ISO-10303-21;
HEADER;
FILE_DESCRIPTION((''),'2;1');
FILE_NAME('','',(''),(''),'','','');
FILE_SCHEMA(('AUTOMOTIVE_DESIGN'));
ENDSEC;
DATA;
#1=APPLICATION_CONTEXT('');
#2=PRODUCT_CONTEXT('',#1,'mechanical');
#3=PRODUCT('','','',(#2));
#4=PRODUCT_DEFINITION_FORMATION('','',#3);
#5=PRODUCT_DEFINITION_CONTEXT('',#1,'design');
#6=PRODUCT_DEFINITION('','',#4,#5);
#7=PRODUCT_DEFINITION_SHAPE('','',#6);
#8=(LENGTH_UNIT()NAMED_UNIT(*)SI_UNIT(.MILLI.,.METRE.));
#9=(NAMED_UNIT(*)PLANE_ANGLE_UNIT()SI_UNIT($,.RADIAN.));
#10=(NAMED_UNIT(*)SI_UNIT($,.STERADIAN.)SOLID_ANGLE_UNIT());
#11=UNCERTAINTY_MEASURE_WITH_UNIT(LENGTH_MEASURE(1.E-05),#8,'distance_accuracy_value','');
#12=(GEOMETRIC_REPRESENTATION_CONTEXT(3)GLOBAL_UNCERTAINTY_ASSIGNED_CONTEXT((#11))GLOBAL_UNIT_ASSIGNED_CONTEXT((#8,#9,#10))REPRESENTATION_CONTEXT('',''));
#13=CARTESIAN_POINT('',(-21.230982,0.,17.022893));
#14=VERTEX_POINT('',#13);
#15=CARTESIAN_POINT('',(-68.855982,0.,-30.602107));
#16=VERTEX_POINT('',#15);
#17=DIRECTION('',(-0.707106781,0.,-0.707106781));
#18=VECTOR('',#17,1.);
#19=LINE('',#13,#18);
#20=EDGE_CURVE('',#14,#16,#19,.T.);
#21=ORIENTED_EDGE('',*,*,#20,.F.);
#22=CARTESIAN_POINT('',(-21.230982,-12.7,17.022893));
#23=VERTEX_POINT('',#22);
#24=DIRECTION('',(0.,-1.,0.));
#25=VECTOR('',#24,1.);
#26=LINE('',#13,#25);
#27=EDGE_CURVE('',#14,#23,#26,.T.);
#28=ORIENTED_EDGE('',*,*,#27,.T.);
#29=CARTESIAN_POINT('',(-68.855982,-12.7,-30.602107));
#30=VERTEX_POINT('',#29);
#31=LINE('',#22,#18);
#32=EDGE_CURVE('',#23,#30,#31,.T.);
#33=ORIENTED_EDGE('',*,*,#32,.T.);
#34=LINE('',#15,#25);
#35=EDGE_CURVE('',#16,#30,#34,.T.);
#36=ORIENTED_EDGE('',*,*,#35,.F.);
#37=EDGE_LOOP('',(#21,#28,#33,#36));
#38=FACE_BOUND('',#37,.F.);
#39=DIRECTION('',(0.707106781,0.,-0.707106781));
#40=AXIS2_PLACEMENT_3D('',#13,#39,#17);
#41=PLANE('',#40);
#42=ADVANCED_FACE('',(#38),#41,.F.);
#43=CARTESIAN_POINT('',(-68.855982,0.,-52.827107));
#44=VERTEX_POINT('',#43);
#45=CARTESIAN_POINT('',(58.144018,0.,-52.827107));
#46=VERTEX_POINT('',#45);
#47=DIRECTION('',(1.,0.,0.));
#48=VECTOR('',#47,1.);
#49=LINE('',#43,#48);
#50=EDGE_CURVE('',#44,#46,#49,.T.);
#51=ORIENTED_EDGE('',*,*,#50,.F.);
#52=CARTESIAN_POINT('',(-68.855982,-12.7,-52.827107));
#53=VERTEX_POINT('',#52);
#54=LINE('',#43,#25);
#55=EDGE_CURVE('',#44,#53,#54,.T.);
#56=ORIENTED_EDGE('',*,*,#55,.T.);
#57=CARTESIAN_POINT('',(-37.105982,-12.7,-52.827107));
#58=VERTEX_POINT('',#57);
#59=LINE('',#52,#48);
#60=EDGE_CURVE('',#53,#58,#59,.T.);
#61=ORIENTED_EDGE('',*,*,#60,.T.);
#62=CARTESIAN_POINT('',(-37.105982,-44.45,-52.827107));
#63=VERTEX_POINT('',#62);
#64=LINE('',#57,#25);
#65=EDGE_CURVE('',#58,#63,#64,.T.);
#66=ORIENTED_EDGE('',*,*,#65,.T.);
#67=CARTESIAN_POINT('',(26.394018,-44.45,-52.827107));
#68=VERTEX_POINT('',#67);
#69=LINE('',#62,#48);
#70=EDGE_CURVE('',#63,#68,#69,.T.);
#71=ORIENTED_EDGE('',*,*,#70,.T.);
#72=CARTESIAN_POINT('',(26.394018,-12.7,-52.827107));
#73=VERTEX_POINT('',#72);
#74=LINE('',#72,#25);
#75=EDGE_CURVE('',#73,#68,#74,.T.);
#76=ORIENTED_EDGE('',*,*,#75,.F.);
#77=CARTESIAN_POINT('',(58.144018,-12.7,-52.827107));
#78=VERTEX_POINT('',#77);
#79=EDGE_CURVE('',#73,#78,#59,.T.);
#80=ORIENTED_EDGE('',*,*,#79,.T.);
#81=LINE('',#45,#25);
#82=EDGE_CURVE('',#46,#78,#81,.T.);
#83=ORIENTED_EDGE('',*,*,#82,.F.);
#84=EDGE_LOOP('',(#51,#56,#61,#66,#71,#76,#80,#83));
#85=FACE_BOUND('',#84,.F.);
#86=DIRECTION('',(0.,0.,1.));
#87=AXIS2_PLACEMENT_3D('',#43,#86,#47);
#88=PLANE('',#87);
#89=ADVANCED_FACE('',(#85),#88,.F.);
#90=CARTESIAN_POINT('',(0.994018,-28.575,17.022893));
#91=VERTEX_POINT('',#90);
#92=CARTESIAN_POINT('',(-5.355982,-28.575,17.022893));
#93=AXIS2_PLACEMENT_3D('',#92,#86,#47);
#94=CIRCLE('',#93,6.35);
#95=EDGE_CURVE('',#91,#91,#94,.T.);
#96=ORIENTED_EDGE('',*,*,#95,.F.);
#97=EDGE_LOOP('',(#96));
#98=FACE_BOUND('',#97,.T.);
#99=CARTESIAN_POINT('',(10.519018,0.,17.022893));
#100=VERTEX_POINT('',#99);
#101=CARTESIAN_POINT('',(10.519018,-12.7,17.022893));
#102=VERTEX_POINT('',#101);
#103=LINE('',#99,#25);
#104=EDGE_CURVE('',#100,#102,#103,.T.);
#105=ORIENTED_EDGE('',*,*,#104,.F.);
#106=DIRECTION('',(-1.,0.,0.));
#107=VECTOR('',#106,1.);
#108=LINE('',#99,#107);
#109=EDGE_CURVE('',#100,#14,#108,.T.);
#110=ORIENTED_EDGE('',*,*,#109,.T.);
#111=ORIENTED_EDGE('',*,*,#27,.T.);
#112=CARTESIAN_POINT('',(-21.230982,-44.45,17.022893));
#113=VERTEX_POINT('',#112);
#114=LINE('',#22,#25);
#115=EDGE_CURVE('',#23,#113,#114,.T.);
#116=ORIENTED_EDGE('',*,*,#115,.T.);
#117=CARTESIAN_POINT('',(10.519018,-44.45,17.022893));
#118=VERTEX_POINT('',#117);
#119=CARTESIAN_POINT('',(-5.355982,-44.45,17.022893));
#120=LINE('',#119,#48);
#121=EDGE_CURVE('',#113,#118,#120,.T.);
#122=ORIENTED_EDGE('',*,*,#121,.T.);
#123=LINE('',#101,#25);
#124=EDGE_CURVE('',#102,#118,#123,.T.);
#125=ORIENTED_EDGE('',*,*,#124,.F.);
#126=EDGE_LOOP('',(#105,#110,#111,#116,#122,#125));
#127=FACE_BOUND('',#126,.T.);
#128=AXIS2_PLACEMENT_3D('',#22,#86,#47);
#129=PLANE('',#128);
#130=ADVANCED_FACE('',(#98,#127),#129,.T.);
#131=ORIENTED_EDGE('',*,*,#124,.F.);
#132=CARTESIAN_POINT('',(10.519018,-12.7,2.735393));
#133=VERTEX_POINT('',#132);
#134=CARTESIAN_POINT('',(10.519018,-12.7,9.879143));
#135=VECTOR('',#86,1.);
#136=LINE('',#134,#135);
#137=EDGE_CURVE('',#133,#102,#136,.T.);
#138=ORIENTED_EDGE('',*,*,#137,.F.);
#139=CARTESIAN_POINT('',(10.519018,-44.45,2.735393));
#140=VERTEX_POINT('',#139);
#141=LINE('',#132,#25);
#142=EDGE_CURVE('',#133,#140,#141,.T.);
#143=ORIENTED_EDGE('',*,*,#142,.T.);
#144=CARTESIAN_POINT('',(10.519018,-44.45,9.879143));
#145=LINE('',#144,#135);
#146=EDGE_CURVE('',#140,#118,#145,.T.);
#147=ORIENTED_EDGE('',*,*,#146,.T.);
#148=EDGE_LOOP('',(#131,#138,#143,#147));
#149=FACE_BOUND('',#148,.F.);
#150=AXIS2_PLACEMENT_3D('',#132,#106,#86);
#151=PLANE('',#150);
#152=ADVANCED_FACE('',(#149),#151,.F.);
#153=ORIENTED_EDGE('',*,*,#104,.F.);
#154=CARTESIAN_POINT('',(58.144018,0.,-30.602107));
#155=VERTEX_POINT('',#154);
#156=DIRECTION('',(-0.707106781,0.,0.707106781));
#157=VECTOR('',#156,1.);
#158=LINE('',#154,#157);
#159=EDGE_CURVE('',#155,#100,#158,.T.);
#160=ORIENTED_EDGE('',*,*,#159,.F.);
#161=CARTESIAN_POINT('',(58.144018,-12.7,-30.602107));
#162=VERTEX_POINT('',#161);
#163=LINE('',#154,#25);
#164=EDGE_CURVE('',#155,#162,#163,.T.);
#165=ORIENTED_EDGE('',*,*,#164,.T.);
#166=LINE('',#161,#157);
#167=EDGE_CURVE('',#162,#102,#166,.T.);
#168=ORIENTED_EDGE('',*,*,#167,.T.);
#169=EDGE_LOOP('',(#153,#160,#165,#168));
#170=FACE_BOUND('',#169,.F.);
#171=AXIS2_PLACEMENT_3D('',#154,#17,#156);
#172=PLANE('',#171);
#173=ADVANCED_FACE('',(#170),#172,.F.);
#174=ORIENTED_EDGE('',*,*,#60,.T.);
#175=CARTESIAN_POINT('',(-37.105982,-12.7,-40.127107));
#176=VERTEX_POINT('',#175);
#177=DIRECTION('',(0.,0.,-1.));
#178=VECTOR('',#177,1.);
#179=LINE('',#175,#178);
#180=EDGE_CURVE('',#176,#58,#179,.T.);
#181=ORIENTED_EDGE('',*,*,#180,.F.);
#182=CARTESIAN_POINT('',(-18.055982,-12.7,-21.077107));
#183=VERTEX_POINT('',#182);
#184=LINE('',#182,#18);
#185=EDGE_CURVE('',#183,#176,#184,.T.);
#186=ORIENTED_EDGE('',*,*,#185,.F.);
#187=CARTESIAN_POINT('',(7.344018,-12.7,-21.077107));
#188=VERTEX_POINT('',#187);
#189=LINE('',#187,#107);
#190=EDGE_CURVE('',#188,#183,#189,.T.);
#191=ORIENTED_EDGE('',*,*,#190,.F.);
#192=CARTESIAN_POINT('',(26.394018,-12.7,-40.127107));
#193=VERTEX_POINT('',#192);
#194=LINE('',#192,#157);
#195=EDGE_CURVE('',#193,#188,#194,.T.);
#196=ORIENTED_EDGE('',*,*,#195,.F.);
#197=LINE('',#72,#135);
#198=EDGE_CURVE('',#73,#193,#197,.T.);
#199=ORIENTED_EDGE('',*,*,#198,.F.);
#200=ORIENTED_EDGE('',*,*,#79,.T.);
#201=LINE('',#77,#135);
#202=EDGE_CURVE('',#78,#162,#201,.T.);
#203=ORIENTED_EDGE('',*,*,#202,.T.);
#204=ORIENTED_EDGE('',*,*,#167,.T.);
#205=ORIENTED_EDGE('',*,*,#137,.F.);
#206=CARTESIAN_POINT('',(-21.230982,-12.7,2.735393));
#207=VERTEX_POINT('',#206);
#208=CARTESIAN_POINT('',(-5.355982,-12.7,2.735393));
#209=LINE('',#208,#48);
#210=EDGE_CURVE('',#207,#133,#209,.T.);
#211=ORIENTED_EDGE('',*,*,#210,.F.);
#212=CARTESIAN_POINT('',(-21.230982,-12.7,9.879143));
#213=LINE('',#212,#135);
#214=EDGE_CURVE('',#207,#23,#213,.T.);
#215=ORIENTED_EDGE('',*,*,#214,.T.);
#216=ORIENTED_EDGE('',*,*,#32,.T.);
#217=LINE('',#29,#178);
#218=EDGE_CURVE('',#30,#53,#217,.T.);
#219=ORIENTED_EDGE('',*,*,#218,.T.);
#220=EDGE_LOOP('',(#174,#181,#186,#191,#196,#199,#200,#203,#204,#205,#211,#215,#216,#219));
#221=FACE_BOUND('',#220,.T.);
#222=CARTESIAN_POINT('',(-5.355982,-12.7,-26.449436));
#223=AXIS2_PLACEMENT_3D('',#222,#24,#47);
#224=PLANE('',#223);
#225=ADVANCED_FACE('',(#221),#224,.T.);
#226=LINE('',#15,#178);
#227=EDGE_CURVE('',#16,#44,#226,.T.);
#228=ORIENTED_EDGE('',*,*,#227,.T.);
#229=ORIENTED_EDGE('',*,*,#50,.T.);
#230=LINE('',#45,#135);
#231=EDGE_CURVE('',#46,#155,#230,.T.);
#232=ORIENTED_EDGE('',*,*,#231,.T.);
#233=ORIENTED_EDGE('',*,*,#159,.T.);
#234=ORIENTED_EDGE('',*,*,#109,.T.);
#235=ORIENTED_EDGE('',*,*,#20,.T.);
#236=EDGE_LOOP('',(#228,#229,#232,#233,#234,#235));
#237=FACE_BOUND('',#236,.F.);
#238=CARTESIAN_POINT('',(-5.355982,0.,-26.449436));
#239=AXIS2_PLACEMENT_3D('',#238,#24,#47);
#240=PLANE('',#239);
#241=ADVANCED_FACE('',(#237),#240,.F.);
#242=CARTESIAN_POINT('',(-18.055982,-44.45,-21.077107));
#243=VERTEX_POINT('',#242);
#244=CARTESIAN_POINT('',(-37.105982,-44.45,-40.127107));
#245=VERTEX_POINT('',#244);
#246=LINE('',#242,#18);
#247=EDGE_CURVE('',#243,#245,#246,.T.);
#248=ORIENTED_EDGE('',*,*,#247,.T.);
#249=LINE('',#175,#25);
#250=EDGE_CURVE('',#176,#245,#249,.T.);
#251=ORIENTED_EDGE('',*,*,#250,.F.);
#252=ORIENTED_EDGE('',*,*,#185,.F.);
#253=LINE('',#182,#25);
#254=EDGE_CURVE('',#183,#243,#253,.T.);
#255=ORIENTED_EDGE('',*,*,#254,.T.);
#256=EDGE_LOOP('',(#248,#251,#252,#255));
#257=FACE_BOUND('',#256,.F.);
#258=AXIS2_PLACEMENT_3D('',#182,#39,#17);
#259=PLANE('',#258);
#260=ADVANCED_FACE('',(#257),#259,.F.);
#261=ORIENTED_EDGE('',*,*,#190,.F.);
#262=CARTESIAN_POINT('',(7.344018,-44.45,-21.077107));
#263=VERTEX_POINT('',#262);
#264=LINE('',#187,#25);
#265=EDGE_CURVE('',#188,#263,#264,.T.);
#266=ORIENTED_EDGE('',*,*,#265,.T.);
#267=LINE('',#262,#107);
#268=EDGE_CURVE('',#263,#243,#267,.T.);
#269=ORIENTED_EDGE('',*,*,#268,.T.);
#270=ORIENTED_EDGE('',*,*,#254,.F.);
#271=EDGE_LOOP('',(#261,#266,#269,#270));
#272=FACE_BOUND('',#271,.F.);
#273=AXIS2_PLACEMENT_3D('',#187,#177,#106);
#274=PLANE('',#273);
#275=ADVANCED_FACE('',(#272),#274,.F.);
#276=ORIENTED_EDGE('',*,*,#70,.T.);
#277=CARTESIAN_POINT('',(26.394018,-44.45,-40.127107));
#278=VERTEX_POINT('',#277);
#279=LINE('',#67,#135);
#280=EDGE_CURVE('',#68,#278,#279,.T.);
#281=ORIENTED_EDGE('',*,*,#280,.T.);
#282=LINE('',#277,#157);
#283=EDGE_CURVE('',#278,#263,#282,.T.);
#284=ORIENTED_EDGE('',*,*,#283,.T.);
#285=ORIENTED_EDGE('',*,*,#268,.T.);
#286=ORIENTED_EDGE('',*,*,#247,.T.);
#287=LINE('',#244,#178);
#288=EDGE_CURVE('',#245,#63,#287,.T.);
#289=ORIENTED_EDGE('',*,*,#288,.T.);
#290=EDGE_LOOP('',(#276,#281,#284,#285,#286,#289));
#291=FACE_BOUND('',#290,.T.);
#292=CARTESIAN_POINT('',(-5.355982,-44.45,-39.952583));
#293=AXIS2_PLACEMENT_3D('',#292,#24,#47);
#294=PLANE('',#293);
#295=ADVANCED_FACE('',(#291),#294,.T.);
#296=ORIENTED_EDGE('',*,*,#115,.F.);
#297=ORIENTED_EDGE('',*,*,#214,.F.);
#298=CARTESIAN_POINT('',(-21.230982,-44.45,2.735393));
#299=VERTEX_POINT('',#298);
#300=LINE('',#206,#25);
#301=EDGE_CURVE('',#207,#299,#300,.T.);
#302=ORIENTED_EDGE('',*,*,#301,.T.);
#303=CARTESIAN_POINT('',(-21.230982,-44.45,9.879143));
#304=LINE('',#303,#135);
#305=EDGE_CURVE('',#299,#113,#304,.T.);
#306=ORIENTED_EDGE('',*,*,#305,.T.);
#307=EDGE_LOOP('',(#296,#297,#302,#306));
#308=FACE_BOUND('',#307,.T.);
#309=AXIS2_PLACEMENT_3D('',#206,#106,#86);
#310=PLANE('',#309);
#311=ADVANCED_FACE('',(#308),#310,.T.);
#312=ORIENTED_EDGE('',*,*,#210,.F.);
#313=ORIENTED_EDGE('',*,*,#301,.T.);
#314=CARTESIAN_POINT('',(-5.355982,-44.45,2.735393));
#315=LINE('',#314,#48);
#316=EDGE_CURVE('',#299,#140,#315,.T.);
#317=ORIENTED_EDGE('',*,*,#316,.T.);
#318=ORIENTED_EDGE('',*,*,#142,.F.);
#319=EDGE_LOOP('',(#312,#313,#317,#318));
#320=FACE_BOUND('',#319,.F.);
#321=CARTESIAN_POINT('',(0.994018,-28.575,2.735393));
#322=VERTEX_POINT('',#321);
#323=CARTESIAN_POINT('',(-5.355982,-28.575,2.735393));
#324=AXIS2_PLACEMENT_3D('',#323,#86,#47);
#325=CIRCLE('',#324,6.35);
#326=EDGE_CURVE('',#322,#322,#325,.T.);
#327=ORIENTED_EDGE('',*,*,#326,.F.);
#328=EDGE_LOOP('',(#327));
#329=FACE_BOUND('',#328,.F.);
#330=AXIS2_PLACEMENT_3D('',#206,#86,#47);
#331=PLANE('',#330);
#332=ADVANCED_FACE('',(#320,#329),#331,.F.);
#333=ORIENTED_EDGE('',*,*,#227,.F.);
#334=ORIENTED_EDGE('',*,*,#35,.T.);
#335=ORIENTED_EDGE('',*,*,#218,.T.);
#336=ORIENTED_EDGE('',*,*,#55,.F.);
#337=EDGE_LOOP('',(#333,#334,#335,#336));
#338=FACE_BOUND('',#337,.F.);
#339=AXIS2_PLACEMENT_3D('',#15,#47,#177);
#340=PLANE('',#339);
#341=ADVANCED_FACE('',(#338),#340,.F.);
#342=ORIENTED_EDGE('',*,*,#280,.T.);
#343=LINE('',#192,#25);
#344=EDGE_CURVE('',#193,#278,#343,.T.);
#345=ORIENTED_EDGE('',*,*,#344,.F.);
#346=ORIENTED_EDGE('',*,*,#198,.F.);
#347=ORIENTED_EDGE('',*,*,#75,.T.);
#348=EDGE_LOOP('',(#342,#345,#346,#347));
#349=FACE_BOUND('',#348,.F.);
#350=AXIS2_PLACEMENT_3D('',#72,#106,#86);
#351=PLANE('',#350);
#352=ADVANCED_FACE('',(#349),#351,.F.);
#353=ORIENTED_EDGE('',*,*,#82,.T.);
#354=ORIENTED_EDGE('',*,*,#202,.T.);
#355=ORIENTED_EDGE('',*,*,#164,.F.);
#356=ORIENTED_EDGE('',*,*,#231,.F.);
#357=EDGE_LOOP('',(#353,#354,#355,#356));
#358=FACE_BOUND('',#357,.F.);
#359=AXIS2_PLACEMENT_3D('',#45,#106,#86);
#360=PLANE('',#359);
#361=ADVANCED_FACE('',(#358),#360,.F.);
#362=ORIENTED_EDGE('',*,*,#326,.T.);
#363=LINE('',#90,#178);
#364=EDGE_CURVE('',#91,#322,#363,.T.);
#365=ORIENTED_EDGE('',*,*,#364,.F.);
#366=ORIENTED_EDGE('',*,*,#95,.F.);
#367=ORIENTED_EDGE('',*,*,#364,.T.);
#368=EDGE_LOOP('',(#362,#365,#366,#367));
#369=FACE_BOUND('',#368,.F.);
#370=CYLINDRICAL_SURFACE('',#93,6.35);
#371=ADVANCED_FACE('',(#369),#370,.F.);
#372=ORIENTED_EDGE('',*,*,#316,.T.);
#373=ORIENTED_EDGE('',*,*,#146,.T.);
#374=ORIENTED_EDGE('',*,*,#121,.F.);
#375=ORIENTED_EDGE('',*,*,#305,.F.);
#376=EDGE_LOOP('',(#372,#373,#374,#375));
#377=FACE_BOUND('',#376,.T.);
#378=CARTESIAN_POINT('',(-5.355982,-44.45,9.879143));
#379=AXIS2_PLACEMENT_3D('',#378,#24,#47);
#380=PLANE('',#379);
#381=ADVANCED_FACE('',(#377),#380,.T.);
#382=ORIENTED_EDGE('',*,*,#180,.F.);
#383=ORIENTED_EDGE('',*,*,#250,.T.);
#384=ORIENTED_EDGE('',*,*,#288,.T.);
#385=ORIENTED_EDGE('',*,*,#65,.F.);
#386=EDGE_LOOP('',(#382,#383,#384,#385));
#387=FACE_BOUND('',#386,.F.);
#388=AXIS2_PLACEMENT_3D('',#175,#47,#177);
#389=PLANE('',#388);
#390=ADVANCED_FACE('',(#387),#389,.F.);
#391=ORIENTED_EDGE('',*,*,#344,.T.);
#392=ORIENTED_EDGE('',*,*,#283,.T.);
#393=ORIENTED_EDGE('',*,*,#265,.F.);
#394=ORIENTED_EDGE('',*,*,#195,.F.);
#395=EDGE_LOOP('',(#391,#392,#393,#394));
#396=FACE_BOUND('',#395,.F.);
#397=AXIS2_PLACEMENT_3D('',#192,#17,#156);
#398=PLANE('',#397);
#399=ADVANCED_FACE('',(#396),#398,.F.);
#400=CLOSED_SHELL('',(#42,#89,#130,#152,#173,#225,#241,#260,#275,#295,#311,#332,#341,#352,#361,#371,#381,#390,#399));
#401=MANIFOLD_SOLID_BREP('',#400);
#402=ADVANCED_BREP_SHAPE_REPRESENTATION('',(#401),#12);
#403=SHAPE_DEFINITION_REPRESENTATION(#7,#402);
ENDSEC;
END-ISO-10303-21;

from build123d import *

# Parameters (mm, degrees)
F1_DEPTH = 12.7
F3_DEPTH = 31.75
F2_W     = 31.75
F2_H     = 14.2875
F4_DEPTH = 31.75
F5_R     = 6.35
F6_DEPTH = 14.2875


with BuildPart() as f1:
    # F0 (on Front) → F1 (new body)
    with BuildSketch(Plane.XZ):
        Polygon((10.519018, 17.022893), (-21.230982, 17.022893), (-68.855982, -30.602107), (-68.855982, -52.827107), (58.144018, -52.827107), (58.144018, -30.602107), align=None)
    extrude(amount=F1_DEPTH)

    # F2 (on face) → F3 (join)
    with BuildSketch(Plane.XZ.offset(12.7)):
        Polygon((7.344018, -21.077107), (-18.055982, -21.077107), (-37.105982, -40.127107), (-37.105982, -52.827107), (26.394018, -52.827107), (26.394018, -40.127107), align=None)
    extrude(amount=F3_DEPTH)

    # F2 (on face) → F4 (join)
    with BuildSketch(Plane.XZ.offset(12.7)):
        with Locations((-5.355982, 9.879143)):
            Rectangle(F2_W, F2_H)
    extrude(amount=F4_DEPTH)

    # F5 (on face) → F6 (cut)
    with BuildSketch(Plane.XY.offset(17.022893)):
        with Locations((-5.355982, -28.575)):
            Circle(F5_R)
    extrude(amount=-F6_DEPTH, mode=Mode.SUBTRACT)


solid = f1.part
